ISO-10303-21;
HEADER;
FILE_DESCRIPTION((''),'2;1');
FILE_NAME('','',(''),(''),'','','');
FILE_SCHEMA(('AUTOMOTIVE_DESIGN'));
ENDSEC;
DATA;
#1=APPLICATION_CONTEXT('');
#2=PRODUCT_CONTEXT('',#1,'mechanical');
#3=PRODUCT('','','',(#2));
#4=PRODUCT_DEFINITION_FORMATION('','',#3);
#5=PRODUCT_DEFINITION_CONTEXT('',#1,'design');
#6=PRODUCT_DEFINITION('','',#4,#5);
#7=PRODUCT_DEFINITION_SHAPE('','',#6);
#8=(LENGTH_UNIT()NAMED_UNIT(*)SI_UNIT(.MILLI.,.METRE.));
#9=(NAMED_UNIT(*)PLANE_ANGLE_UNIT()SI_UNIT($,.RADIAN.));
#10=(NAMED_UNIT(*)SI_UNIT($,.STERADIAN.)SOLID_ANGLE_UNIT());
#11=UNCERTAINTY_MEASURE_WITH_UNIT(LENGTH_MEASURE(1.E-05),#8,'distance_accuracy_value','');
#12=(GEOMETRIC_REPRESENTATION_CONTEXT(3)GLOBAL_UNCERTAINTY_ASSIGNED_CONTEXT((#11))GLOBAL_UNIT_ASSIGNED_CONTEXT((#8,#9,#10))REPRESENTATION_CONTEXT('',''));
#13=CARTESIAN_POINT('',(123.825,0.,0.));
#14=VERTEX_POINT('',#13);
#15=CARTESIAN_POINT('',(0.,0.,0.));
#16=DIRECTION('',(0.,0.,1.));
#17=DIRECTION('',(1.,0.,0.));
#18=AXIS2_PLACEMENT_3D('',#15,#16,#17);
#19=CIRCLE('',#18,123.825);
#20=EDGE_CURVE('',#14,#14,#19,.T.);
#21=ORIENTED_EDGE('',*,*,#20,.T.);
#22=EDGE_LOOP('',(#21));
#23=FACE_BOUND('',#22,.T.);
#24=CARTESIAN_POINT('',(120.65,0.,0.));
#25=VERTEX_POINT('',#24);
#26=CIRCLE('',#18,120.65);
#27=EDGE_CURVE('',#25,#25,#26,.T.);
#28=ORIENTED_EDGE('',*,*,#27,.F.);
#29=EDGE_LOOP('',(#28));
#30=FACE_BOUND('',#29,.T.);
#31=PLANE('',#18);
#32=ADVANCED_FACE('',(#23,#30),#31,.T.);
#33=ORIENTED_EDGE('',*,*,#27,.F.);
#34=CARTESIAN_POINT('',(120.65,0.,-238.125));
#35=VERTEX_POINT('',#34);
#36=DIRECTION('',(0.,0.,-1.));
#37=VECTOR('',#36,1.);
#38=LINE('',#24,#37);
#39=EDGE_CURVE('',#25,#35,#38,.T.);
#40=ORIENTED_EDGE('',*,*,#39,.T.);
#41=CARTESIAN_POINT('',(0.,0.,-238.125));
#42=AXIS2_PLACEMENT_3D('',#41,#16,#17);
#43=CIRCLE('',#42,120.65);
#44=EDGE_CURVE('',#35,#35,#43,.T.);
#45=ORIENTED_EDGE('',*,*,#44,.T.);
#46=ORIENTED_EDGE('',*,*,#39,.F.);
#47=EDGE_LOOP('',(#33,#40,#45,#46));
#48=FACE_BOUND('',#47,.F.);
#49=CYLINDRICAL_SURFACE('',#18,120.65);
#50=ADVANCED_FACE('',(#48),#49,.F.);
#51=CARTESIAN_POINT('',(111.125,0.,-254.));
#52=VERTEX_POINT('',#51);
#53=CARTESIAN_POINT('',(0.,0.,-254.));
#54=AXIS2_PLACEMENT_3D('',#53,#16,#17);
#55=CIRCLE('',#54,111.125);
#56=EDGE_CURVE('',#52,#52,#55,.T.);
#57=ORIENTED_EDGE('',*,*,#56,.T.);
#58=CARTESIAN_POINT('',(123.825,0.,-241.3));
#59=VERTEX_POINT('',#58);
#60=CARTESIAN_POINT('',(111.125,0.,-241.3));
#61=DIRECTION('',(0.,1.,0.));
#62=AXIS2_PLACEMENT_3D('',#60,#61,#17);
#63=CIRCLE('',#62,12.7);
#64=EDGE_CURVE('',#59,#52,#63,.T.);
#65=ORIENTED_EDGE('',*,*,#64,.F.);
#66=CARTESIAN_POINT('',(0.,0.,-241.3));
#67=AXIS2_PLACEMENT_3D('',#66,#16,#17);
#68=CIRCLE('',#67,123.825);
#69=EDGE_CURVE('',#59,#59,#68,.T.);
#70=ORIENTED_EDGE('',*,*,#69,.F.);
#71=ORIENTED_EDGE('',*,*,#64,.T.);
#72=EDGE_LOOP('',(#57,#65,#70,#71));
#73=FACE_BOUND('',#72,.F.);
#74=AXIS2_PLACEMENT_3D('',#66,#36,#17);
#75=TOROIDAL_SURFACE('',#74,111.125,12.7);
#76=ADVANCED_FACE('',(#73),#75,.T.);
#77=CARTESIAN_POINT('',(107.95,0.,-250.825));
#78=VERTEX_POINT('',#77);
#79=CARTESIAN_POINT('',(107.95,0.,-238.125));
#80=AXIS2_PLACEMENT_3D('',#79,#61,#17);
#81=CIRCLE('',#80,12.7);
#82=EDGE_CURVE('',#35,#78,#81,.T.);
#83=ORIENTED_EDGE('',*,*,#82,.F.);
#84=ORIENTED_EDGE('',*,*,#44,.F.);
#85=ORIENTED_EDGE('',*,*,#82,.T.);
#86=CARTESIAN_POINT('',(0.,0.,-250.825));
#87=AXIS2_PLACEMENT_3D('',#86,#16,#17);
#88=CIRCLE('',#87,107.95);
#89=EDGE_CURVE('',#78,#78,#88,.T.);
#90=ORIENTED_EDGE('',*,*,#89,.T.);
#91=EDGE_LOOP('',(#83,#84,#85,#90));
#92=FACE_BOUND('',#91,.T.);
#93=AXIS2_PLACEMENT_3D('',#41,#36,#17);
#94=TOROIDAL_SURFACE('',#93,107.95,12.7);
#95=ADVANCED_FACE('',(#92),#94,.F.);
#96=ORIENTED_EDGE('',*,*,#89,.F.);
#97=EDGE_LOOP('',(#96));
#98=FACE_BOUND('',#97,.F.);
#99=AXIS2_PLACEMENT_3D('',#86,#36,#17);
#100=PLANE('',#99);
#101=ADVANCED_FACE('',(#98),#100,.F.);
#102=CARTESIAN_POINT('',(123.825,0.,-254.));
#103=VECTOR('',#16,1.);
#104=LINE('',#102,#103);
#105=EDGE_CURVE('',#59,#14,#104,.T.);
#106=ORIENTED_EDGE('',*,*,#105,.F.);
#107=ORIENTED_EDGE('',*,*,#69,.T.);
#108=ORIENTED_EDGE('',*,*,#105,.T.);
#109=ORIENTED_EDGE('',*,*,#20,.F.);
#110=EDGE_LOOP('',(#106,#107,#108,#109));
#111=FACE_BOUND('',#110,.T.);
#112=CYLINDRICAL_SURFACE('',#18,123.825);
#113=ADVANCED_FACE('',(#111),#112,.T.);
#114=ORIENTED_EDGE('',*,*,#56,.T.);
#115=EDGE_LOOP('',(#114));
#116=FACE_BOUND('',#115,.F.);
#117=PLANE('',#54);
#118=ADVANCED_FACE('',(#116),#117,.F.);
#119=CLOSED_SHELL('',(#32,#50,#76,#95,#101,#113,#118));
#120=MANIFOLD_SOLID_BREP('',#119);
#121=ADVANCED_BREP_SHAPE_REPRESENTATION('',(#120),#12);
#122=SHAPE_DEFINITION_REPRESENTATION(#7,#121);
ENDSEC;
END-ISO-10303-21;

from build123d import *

# Parameters (mm, degrees)
F0_R     = 123.825
F0_R_2   = 120.65
F1_DEPTH = 254
F2_R     = 123.825
F3_DEPTH = 3.175
F4_R     = 12.7


with BuildPart() as f1:
    # F0 (on Top) → F1 (new body)
    with BuildSketch(Plane.XY):
        Circle(F0_R)
        Circle(F0_R_2, mode=Mode.SUBTRACT)
    extrude(amount=-F1_DEPTH)

    # F2 (on face) → F3 (join)
    with BuildSketch(Plane(origin=(0, 0, -254), x_dir=(1, 0, 0), z_dir=(0, 0, -1))):
        Circle(F2_R)
    extrude(amount=-F3_DEPTH)

    # F4
    f4_edges = [f1.edges().sort_by_distance(p)[0] for p in [
        (-123.825, 0, -254),
        (-120.65, 0, -250.825),
    ]]
    fillet(f4_edges, radius=F4_R)


solid = f1.part
